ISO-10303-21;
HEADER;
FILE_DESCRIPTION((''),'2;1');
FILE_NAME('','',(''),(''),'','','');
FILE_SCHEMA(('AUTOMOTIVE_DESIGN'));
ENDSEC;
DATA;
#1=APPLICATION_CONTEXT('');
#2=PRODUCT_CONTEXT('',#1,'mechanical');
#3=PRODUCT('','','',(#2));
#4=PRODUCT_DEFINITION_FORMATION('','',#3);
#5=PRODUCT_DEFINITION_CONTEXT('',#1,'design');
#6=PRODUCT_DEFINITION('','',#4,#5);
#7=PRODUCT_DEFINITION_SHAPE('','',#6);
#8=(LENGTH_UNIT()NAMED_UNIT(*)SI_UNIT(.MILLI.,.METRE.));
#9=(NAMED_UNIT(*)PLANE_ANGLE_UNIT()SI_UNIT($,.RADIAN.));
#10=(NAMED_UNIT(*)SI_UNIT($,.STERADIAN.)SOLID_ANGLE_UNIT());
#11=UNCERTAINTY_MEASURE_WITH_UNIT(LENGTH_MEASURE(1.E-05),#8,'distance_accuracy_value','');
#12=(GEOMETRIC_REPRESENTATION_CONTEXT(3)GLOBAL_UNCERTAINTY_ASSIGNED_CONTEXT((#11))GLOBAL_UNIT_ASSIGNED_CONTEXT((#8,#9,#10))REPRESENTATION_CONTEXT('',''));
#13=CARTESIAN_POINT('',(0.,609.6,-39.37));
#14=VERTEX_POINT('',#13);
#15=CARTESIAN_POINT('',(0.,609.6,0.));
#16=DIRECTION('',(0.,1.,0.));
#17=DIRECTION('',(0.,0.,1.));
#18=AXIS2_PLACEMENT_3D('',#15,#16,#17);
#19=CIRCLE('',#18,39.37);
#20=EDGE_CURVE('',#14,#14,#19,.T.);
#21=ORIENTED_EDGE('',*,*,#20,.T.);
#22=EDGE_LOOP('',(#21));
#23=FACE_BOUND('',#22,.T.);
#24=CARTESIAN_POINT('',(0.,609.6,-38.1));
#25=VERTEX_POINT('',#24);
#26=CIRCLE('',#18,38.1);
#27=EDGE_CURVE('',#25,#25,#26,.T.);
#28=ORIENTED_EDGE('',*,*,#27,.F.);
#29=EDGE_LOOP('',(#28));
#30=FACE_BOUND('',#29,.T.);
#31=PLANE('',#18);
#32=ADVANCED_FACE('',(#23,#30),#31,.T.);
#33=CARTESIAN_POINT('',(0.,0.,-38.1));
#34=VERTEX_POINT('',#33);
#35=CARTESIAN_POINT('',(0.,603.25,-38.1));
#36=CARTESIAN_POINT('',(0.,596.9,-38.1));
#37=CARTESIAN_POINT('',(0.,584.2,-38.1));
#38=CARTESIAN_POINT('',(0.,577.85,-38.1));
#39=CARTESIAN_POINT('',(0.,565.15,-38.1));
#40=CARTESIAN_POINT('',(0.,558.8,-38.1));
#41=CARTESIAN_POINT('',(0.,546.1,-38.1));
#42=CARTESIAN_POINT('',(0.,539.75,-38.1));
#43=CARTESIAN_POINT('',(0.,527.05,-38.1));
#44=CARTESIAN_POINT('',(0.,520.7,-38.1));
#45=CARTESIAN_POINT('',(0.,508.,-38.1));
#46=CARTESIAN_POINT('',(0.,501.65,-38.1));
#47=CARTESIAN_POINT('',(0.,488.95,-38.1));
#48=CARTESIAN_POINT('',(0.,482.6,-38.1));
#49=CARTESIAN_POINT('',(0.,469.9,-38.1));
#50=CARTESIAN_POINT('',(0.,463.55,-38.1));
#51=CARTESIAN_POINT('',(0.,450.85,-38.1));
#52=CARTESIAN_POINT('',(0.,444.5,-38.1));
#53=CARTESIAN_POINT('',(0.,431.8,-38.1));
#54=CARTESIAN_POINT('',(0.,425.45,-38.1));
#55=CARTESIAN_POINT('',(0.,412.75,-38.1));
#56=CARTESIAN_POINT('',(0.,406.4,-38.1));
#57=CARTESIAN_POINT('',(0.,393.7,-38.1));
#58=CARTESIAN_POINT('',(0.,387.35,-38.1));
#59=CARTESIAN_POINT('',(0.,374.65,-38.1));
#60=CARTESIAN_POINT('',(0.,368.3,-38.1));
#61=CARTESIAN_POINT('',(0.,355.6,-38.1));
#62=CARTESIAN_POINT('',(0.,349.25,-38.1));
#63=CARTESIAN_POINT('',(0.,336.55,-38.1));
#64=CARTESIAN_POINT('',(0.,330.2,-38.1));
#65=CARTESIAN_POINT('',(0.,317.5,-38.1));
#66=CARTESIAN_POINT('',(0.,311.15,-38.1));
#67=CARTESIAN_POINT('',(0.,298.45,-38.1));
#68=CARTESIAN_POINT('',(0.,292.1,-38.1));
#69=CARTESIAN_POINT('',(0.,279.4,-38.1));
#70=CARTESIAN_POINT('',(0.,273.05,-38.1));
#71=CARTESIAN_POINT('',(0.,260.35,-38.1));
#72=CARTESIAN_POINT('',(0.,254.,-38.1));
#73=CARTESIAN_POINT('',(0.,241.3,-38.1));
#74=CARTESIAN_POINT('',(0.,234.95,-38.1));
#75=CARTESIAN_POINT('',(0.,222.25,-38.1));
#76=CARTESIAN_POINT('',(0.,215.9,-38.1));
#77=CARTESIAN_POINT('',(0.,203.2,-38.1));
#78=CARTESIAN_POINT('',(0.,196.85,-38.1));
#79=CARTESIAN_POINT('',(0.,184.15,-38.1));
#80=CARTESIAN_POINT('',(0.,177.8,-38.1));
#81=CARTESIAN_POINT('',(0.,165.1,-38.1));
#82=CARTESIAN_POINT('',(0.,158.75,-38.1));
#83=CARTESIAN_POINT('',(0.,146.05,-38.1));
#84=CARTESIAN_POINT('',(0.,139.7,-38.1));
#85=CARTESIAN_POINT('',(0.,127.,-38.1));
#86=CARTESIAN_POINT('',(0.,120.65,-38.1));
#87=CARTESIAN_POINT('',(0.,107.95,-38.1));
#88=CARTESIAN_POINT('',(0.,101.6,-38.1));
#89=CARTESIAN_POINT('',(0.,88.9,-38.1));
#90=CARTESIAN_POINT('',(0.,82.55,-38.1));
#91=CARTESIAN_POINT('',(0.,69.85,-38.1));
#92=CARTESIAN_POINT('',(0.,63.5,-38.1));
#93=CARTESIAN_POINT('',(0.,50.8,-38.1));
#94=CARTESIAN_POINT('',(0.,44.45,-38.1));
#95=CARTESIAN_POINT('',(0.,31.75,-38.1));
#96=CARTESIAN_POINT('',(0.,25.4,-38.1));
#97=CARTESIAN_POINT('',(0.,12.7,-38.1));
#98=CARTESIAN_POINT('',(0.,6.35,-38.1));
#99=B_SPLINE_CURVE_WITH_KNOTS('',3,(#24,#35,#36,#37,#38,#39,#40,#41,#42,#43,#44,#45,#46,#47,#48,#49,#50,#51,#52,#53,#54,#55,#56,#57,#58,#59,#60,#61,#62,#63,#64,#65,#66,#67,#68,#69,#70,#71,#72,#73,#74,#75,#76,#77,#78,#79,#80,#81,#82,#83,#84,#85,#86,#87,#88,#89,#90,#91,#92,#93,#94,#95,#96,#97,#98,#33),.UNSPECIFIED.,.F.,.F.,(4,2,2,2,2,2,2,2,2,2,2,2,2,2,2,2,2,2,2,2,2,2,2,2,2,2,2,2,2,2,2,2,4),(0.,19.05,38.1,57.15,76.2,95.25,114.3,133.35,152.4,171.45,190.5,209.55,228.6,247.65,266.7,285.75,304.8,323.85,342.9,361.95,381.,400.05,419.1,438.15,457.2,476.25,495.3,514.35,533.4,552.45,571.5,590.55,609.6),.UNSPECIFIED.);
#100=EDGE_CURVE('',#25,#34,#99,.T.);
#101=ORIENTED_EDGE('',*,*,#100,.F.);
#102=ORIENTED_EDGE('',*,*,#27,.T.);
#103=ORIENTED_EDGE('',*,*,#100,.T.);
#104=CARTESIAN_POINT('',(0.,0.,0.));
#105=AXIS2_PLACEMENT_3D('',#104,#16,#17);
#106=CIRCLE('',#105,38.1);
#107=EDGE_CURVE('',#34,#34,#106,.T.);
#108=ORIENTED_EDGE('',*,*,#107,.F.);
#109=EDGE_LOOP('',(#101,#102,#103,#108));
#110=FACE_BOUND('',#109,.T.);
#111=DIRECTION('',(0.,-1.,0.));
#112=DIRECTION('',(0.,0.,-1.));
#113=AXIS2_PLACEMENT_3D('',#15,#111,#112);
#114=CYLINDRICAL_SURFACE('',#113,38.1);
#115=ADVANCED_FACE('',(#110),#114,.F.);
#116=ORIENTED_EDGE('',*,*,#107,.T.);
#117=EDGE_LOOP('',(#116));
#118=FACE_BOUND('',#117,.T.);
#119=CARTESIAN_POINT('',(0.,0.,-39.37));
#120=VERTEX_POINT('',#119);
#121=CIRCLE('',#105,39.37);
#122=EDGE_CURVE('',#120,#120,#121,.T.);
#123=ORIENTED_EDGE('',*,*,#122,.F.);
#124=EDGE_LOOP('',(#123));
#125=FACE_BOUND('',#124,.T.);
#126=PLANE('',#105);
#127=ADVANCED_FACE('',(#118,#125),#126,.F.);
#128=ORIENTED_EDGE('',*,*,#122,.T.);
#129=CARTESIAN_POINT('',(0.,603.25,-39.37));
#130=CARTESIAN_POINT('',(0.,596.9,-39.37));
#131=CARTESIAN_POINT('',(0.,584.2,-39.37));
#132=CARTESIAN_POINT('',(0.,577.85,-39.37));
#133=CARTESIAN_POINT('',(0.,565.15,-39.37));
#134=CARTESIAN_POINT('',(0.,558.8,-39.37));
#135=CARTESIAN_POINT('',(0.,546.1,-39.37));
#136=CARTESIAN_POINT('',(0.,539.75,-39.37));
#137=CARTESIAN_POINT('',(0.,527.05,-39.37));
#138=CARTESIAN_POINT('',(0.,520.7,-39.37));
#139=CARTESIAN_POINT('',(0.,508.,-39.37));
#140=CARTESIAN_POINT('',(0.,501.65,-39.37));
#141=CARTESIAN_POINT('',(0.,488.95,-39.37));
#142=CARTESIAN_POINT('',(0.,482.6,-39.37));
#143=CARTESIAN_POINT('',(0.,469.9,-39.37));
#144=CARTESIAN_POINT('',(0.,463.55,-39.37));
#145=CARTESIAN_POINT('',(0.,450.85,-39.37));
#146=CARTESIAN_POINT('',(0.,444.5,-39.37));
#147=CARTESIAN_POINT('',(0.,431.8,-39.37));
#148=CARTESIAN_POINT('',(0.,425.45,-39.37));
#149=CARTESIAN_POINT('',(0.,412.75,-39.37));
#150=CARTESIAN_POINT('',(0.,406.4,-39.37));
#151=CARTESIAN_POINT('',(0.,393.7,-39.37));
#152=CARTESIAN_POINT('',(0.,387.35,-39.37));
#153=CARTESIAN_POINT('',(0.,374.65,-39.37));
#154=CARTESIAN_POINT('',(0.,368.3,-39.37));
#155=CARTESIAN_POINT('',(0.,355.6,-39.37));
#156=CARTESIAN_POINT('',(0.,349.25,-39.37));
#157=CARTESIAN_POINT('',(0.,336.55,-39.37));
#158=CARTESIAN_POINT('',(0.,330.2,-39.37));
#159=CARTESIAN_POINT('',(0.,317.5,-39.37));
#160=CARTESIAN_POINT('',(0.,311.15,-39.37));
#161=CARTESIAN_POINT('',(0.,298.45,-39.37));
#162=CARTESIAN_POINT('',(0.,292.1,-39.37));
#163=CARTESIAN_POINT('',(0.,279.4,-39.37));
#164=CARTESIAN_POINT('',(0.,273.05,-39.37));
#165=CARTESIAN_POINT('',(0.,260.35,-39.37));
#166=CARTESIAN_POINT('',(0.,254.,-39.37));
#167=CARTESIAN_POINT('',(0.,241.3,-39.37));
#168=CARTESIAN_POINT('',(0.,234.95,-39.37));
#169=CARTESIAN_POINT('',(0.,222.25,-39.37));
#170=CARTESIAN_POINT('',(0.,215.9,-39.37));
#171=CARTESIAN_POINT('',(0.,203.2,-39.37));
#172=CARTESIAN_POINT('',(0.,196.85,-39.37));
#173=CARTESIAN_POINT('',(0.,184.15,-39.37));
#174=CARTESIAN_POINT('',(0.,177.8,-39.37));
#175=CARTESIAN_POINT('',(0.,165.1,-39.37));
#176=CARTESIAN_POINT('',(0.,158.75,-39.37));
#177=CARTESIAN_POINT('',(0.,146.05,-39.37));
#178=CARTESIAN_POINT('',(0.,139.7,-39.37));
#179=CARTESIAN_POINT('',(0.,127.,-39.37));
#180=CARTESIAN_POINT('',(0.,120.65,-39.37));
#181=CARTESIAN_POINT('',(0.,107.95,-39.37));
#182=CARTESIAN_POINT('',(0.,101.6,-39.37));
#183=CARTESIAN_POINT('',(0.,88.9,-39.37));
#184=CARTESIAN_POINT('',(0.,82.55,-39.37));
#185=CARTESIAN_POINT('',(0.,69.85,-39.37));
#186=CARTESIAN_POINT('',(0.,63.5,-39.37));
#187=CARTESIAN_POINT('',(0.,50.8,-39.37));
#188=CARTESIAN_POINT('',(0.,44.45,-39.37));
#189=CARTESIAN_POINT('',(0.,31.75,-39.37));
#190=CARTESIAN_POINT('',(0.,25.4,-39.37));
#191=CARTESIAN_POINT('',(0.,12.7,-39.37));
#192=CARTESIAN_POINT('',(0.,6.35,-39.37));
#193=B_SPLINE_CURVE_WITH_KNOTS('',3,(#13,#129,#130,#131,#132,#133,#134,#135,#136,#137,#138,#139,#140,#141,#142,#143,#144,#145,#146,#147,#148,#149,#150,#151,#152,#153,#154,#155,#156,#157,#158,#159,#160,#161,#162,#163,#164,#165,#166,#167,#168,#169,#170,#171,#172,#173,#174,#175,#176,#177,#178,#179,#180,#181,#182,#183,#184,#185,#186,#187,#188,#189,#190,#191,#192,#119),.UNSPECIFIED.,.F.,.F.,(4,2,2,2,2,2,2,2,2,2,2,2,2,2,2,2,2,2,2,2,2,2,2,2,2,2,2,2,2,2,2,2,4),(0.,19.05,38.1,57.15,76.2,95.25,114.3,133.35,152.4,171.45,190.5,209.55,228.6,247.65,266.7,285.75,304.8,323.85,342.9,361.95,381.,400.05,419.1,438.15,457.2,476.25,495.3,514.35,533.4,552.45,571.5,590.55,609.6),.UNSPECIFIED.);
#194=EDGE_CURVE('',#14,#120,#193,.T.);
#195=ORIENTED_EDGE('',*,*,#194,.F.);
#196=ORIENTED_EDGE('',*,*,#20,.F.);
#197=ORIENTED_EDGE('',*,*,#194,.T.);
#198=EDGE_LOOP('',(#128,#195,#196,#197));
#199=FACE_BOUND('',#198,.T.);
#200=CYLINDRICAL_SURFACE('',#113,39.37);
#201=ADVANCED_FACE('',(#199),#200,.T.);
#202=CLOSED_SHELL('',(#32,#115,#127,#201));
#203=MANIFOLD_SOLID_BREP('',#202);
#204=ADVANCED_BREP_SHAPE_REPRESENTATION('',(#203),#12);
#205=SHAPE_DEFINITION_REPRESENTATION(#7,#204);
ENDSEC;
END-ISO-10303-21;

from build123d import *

# Parameters (mm, degrees)
SKETCH2_R           = 39.37
SKETCH2_R_2         = 38.1
BOSS_EXTRUDE1_DEPTH = 609.6


with BuildPart() as part:
    # Sketch2 → Boss-Extrude1 (new body)
    with BuildSketch(Plane(origin=(0, 0, 0), x_dir=(1, 0, 0), z_dir=(0, 1, 0))):
        Circle(SKETCH2_R)
        Circle(SKETCH2_R_2, mode=Mode.SUBTRACT)
    extrude(amount=BOSS_EXTRUDE1_DEPTH)


solid = part.part
